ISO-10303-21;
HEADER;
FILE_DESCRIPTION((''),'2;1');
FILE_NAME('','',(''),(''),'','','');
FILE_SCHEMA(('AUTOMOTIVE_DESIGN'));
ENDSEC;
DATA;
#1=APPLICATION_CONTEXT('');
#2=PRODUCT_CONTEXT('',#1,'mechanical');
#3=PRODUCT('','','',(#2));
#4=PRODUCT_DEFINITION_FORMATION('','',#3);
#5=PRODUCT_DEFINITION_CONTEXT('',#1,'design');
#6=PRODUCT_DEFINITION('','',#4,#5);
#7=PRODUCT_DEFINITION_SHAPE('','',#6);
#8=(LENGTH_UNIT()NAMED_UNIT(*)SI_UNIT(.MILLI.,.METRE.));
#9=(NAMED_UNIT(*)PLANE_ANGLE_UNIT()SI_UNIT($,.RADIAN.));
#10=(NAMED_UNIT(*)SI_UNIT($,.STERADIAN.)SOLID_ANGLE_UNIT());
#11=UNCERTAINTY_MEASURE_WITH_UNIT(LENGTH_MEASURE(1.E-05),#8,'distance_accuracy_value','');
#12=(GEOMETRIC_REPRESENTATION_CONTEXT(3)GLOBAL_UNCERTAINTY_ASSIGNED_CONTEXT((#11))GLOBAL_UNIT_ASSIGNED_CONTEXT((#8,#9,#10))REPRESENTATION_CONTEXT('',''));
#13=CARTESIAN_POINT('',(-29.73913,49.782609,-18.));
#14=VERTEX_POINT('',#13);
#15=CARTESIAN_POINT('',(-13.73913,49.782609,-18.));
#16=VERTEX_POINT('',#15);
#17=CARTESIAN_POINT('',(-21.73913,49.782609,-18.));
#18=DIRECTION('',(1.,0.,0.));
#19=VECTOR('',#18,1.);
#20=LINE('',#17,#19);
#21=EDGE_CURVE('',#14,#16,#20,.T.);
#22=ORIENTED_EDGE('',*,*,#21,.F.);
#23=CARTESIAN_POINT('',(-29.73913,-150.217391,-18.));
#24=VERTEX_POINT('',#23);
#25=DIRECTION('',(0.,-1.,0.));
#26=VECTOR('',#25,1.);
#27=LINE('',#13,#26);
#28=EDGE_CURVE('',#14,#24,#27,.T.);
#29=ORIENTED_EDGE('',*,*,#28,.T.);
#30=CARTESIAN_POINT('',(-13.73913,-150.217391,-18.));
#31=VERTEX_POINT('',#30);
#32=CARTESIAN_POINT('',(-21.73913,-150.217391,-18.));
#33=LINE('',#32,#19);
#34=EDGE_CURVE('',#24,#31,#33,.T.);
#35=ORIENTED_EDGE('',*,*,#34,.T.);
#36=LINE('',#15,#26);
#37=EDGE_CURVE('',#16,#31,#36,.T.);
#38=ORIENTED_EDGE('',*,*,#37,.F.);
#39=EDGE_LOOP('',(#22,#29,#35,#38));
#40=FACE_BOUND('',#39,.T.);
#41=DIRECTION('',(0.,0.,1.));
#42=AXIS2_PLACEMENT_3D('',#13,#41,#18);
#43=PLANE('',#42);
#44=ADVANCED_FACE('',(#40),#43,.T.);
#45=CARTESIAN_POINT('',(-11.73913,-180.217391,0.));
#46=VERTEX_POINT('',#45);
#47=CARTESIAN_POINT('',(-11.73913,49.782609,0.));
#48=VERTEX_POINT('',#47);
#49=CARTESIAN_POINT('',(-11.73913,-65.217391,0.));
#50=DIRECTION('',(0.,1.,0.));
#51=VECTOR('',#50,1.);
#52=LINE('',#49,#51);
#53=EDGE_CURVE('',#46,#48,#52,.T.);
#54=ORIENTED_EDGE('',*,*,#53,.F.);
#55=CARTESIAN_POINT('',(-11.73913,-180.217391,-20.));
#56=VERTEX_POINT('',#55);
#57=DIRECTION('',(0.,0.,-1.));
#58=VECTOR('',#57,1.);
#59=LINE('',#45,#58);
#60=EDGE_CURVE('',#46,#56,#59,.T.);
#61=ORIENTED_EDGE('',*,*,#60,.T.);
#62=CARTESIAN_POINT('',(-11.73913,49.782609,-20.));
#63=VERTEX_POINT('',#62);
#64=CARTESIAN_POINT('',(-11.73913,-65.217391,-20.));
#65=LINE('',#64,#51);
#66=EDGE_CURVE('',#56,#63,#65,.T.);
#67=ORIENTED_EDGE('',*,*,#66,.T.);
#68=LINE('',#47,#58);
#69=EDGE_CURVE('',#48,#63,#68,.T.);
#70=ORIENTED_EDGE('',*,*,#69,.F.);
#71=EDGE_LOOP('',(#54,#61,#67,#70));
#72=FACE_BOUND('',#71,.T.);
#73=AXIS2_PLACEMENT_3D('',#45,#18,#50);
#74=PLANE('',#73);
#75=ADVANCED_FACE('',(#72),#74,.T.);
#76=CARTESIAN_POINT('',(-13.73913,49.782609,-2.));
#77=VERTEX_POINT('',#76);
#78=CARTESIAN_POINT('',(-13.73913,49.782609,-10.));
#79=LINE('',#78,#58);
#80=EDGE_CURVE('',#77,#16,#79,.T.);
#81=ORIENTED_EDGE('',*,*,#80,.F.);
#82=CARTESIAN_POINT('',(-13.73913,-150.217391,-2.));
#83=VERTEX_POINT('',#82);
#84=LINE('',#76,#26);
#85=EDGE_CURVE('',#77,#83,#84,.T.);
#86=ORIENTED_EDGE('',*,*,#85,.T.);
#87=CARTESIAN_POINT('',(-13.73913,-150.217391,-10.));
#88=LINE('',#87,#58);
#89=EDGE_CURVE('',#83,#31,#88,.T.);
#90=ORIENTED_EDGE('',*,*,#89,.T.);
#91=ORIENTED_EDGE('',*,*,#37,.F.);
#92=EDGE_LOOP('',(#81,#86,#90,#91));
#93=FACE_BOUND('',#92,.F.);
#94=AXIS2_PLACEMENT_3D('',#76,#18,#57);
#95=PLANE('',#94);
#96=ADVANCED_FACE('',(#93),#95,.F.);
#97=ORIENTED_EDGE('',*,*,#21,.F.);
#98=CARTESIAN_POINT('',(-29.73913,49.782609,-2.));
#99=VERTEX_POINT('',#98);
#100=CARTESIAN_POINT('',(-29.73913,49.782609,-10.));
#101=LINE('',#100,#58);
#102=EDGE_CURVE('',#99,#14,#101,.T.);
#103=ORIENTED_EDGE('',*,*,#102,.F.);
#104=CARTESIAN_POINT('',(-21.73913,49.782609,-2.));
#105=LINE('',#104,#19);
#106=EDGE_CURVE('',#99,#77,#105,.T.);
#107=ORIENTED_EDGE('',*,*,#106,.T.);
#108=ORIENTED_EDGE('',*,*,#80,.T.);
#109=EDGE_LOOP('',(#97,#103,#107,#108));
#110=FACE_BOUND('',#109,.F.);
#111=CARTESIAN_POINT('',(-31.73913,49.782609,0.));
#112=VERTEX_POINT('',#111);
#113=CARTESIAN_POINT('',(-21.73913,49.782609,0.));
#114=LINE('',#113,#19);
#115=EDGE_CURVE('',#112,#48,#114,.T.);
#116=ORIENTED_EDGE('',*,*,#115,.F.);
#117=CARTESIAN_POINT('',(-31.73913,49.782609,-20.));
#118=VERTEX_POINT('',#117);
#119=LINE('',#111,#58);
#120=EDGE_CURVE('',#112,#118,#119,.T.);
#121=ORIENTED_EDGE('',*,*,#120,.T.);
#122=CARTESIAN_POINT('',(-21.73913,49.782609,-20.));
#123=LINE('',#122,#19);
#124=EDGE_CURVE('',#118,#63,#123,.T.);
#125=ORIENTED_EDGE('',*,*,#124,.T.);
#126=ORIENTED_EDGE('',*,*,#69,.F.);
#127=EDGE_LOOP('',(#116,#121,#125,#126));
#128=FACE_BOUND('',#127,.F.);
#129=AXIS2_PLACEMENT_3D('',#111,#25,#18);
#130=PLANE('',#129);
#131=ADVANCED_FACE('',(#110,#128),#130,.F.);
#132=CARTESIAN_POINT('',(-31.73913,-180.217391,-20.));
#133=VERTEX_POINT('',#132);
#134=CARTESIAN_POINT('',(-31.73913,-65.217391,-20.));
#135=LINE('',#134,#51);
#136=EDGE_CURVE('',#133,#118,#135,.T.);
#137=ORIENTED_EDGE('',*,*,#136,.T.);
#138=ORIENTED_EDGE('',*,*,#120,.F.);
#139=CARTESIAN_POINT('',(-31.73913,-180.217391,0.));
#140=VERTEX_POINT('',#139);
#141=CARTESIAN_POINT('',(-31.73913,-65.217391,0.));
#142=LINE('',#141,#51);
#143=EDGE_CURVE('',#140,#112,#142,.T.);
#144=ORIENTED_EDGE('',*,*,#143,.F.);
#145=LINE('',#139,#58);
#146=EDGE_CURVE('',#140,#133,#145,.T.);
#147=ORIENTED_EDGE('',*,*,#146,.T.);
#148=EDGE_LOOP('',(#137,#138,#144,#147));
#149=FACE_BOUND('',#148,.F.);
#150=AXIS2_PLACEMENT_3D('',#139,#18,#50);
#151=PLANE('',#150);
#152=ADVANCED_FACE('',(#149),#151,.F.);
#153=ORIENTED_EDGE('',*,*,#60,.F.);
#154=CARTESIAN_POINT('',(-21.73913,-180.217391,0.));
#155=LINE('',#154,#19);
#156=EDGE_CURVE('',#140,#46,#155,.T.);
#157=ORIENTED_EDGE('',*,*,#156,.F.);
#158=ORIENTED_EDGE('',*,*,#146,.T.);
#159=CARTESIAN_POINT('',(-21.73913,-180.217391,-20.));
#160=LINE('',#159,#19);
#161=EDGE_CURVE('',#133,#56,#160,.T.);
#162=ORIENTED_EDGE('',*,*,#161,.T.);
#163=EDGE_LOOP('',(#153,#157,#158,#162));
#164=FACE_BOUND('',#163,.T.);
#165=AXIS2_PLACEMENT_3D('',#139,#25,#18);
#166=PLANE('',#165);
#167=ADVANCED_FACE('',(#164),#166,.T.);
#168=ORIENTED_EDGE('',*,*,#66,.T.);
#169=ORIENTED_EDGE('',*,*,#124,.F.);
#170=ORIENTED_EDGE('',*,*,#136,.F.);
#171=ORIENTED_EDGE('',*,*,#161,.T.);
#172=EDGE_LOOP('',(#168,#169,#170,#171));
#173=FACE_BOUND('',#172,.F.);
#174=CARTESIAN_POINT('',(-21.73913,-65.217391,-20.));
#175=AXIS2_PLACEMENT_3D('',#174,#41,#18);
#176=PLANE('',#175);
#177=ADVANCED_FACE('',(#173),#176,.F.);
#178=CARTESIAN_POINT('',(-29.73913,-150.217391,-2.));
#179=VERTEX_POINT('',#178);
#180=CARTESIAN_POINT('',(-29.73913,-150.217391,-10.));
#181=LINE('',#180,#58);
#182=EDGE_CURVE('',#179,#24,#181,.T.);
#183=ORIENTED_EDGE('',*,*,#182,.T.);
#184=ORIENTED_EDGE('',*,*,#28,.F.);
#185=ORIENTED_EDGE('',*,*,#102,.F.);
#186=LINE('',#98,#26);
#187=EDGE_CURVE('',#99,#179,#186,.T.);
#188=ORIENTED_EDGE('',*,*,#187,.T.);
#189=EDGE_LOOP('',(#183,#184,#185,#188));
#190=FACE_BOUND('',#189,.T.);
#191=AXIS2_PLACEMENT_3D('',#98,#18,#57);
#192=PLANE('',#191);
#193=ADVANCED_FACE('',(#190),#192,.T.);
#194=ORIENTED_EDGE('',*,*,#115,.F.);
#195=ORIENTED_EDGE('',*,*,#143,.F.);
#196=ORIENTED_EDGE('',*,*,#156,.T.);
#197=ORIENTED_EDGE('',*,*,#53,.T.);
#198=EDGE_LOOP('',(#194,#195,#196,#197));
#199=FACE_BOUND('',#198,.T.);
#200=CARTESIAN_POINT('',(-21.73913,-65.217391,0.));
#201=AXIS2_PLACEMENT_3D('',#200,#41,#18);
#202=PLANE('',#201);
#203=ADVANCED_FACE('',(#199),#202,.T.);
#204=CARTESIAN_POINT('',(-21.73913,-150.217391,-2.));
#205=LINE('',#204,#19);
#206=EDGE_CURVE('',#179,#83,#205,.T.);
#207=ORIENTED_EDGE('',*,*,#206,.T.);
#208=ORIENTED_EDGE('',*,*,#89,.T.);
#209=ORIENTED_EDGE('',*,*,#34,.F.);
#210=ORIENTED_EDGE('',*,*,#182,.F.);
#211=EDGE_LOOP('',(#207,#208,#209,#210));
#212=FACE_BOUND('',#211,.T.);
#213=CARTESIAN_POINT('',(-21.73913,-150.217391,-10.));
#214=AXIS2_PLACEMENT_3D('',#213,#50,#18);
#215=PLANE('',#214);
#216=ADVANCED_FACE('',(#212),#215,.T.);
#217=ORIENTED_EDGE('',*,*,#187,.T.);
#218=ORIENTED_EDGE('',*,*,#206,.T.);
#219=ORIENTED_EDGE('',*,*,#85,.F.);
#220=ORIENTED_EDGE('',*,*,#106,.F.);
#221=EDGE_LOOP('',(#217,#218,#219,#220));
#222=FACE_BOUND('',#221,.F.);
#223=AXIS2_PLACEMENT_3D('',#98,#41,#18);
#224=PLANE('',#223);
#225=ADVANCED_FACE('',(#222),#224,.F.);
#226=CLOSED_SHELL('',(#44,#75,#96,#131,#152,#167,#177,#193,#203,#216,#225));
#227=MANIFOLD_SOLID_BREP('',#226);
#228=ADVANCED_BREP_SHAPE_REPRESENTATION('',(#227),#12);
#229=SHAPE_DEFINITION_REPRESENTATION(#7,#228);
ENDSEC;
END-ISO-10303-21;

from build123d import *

# Parameters (mm, degrees)
SKETCH1_W           = 20
SKETCH1_H           = 230
BOSS_EXTRUDE1_DEPTH = 20
SKETCH2_W           = 16
SKETCH2_H           = 16
CUT_EXTRUDE1_DEPTH  = 200


with BuildPart() as part:
    # Sketch1 → Boss-Extrude1 (new body)
    with BuildSketch(Plane.XY):
        with Locations((-21.739130435, -65.217391304)):
            Rectangle(SKETCH1_W, SKETCH1_H)
    extrude(amount=-BOSS_EXTRUDE1_DEPTH)

    # Sketch2 → Cut-Extrude1 (cut)
    with BuildSketch(Plane(origin=(0, 49.782608696, 0), x_dir=(1, 0, 0), z_dir=(0, 1, 0))):
        with Locations((-21.739130435, 10)):
            Rectangle(SKETCH2_W, SKETCH2_H)
    extrude(amount=-CUT_EXTRUDE1_DEPTH, mode=Mode.SUBTRACT)


solid = part.part
